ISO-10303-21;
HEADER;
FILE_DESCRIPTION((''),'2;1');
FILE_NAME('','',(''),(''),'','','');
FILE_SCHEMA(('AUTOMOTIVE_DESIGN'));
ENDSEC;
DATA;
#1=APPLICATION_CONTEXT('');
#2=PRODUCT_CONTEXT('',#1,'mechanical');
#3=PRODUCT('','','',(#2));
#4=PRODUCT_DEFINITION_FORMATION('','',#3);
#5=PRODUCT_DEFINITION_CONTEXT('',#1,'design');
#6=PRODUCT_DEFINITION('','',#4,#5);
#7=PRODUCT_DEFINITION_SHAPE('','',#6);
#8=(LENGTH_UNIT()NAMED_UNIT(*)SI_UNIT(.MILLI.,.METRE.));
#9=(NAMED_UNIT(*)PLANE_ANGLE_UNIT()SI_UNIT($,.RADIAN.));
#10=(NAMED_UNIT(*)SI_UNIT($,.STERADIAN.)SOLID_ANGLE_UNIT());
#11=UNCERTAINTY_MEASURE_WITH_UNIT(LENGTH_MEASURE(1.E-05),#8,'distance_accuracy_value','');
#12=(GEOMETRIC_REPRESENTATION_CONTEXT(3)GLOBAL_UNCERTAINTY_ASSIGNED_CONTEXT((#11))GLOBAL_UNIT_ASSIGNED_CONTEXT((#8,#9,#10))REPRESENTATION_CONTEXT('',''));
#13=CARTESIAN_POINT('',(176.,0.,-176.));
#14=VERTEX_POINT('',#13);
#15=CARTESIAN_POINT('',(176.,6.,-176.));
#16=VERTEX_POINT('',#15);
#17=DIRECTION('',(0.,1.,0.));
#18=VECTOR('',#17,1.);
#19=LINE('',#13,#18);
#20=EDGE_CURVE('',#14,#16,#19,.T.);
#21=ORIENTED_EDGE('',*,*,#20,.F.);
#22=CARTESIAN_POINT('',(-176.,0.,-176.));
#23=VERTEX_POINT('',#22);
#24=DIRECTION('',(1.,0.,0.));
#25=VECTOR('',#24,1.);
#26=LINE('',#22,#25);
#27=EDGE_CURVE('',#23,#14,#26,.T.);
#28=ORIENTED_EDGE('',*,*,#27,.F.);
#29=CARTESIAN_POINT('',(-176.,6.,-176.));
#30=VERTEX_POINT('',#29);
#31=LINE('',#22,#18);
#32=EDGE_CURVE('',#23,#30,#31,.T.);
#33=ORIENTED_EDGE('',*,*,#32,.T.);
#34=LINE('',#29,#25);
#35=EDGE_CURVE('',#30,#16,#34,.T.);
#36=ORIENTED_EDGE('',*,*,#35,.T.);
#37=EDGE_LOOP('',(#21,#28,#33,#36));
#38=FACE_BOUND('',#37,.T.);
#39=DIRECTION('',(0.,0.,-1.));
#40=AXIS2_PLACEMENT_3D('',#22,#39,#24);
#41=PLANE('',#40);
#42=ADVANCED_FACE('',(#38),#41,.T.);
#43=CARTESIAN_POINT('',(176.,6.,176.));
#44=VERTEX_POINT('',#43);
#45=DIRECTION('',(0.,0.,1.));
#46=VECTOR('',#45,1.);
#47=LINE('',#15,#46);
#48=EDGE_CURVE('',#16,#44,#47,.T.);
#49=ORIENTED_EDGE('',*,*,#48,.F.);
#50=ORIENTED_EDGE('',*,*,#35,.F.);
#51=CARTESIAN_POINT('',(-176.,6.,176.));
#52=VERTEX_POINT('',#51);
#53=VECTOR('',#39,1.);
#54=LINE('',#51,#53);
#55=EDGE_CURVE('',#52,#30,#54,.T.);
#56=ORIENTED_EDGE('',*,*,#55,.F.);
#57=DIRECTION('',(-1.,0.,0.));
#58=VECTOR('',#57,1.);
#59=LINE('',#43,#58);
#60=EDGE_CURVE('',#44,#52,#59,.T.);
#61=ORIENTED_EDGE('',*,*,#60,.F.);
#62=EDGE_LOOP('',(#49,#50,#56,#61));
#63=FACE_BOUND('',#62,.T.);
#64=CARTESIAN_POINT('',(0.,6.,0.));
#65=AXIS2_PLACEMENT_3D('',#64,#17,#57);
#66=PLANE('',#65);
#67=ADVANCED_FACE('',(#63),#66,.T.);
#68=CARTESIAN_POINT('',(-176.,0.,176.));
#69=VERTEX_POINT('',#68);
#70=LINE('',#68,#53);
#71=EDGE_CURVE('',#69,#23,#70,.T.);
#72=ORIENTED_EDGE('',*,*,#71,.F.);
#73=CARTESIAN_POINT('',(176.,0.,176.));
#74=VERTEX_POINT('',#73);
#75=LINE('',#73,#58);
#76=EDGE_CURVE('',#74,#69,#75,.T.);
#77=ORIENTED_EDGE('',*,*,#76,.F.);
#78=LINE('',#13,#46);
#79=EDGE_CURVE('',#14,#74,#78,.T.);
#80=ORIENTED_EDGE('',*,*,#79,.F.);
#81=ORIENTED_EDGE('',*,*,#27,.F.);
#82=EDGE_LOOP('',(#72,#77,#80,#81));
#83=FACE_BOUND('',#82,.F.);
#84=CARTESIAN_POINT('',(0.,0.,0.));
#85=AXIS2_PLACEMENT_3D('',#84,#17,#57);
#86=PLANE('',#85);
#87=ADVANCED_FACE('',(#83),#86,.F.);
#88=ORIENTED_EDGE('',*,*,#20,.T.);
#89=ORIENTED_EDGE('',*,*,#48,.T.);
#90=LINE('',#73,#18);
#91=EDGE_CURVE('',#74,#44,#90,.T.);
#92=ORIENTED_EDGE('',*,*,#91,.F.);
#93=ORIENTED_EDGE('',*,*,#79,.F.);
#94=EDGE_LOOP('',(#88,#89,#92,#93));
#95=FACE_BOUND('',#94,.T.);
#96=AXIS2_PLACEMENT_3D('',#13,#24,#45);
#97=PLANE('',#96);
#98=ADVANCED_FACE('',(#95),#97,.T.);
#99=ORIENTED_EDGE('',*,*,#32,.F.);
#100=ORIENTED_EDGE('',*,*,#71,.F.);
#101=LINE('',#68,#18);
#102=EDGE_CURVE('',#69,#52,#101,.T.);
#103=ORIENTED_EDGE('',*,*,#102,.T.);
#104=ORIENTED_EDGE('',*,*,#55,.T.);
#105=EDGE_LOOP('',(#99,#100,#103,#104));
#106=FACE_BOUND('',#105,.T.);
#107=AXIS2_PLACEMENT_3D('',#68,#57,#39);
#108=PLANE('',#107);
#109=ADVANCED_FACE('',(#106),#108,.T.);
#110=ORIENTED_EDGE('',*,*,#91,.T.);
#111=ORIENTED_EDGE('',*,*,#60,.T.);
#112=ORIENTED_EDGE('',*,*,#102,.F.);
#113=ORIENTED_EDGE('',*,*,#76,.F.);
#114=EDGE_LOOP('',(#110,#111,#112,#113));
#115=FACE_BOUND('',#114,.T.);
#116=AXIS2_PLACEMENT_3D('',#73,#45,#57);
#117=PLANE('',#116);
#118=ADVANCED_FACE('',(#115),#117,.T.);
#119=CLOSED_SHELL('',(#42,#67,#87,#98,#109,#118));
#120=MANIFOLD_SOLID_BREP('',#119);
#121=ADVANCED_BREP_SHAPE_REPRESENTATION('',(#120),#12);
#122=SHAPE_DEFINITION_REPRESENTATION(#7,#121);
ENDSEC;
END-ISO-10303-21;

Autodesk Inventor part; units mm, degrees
ref_plane "YZ Plane" through (0, 0, 0) normal (1, 0, 0) x (0, 1, 0)
ref_plane "XZ Plane" through (0, 0, 0) normal (0, 1, 0) x (-1, 0, 0)
ref_plane "XY Plane" through (0, 0, 0) normal (0, 0, 1) x (1, 0, 0)
sketch "Skizze1" plane through (0, 0, 0) normal (0, 1, 0) x (-1, 0, 0)
  line L0 (176, -176) -> (-176, -176)
  line L1 (-176, -176) -> (-176, 176)
  line L2 (-176, 176) -> (176, 176)
  line L3 (176, 176) -> (176, -176)
  line L4 (176, -176) -> (-176, 176) construction
  line L5 (-176, -176) -> (176, 176) construction
  point P0 (0, 0)
  dimension "d0" = 352
  dimension "d1" = 352
extrude "Extrusion1" add sketch "Skizze1" along normal blind 6
equation "\"d1\" = d0"
properties part number "Platte6mm"
